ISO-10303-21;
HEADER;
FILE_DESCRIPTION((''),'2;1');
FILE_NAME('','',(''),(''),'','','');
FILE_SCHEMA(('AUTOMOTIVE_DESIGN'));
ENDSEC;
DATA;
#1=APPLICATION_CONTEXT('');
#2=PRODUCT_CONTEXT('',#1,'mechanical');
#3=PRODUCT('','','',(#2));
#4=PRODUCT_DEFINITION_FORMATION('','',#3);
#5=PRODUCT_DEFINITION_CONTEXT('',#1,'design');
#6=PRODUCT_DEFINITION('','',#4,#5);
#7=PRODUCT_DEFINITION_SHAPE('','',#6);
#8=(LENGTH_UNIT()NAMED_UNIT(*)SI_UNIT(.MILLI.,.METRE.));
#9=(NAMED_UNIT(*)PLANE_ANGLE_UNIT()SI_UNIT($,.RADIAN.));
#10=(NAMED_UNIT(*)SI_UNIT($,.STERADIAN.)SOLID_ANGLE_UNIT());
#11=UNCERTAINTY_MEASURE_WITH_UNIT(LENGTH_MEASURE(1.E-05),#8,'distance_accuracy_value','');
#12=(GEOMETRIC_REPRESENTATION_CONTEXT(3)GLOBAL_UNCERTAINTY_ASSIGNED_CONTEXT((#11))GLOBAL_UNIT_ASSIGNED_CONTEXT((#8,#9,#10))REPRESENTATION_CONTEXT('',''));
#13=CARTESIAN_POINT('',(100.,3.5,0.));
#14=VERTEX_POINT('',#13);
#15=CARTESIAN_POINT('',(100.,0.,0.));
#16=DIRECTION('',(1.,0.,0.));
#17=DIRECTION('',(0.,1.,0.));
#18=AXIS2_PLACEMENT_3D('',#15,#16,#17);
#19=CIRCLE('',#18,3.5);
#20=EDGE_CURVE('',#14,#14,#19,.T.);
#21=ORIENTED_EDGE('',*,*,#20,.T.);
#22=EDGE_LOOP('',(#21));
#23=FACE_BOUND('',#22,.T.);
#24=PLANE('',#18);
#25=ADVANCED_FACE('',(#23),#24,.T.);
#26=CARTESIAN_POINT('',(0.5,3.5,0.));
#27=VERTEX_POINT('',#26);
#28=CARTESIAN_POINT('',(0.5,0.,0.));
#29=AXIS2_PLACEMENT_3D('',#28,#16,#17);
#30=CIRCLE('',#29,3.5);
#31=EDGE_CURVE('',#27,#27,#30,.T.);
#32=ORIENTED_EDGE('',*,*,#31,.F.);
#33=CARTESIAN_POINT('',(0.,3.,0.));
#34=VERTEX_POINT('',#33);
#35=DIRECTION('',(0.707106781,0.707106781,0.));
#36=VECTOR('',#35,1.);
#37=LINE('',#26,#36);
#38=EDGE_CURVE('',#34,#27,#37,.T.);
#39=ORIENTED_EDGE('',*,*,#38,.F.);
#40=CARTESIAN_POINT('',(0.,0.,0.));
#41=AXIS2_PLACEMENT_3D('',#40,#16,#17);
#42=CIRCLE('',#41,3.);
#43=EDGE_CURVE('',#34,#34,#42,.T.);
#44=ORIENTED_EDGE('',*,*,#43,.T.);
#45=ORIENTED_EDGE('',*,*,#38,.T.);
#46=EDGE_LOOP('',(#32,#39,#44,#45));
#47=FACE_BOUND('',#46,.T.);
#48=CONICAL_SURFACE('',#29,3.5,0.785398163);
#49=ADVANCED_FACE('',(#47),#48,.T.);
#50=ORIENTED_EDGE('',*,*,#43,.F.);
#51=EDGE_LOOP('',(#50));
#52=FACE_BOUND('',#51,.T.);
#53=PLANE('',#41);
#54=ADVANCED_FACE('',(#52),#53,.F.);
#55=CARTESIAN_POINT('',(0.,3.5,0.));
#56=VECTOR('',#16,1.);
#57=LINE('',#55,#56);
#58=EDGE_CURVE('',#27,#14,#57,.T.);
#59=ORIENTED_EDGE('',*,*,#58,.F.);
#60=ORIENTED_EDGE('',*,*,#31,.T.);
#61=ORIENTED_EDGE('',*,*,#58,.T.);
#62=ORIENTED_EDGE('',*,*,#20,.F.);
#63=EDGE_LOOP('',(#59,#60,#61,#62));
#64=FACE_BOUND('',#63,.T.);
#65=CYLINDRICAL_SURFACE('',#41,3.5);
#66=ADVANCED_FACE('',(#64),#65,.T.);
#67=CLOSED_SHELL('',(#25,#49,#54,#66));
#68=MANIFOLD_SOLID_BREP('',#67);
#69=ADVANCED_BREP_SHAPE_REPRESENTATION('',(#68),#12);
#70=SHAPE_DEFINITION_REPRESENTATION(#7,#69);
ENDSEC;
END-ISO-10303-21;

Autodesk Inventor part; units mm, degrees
ref_plane "Start Plane" through (0, 0, 0) normal (1, 0, 0) x (0, 1, 0)
ref_plane "XZ Plane" through (0, 0, 0) normal (0, 1, 0) x (-1, 0, 0)
ref_plane "XY Plane" through (0, 0, 0) normal (0, 0, 1) x (1, 0, 0)
sketch "Main Sketch" plane through (0, 0, 0) normal (0, 0, 1) x (1, 0, 0)
  line L0 (0, 0) -> (100, 0)
  line L1 (0, 0) -> (0, 3.5)
  line L2 (100, 3.5) -> (100, 0)
  line L3 (0, 3.5) -> (100, 3.5)
  dimension "d3" = 7
revolve "Revolution1" add sketch "Main Sketch" angle 360 about axis through (0, 0, 0) along (1, 0, 0)
chamfer "Chamfer1" distance 0.5 angle 45 1 edges at (0, -3.5, 0) measured on face at (33.3333, 3.4547, -0.5614)
properties part number "Shaft" material "Steel"
